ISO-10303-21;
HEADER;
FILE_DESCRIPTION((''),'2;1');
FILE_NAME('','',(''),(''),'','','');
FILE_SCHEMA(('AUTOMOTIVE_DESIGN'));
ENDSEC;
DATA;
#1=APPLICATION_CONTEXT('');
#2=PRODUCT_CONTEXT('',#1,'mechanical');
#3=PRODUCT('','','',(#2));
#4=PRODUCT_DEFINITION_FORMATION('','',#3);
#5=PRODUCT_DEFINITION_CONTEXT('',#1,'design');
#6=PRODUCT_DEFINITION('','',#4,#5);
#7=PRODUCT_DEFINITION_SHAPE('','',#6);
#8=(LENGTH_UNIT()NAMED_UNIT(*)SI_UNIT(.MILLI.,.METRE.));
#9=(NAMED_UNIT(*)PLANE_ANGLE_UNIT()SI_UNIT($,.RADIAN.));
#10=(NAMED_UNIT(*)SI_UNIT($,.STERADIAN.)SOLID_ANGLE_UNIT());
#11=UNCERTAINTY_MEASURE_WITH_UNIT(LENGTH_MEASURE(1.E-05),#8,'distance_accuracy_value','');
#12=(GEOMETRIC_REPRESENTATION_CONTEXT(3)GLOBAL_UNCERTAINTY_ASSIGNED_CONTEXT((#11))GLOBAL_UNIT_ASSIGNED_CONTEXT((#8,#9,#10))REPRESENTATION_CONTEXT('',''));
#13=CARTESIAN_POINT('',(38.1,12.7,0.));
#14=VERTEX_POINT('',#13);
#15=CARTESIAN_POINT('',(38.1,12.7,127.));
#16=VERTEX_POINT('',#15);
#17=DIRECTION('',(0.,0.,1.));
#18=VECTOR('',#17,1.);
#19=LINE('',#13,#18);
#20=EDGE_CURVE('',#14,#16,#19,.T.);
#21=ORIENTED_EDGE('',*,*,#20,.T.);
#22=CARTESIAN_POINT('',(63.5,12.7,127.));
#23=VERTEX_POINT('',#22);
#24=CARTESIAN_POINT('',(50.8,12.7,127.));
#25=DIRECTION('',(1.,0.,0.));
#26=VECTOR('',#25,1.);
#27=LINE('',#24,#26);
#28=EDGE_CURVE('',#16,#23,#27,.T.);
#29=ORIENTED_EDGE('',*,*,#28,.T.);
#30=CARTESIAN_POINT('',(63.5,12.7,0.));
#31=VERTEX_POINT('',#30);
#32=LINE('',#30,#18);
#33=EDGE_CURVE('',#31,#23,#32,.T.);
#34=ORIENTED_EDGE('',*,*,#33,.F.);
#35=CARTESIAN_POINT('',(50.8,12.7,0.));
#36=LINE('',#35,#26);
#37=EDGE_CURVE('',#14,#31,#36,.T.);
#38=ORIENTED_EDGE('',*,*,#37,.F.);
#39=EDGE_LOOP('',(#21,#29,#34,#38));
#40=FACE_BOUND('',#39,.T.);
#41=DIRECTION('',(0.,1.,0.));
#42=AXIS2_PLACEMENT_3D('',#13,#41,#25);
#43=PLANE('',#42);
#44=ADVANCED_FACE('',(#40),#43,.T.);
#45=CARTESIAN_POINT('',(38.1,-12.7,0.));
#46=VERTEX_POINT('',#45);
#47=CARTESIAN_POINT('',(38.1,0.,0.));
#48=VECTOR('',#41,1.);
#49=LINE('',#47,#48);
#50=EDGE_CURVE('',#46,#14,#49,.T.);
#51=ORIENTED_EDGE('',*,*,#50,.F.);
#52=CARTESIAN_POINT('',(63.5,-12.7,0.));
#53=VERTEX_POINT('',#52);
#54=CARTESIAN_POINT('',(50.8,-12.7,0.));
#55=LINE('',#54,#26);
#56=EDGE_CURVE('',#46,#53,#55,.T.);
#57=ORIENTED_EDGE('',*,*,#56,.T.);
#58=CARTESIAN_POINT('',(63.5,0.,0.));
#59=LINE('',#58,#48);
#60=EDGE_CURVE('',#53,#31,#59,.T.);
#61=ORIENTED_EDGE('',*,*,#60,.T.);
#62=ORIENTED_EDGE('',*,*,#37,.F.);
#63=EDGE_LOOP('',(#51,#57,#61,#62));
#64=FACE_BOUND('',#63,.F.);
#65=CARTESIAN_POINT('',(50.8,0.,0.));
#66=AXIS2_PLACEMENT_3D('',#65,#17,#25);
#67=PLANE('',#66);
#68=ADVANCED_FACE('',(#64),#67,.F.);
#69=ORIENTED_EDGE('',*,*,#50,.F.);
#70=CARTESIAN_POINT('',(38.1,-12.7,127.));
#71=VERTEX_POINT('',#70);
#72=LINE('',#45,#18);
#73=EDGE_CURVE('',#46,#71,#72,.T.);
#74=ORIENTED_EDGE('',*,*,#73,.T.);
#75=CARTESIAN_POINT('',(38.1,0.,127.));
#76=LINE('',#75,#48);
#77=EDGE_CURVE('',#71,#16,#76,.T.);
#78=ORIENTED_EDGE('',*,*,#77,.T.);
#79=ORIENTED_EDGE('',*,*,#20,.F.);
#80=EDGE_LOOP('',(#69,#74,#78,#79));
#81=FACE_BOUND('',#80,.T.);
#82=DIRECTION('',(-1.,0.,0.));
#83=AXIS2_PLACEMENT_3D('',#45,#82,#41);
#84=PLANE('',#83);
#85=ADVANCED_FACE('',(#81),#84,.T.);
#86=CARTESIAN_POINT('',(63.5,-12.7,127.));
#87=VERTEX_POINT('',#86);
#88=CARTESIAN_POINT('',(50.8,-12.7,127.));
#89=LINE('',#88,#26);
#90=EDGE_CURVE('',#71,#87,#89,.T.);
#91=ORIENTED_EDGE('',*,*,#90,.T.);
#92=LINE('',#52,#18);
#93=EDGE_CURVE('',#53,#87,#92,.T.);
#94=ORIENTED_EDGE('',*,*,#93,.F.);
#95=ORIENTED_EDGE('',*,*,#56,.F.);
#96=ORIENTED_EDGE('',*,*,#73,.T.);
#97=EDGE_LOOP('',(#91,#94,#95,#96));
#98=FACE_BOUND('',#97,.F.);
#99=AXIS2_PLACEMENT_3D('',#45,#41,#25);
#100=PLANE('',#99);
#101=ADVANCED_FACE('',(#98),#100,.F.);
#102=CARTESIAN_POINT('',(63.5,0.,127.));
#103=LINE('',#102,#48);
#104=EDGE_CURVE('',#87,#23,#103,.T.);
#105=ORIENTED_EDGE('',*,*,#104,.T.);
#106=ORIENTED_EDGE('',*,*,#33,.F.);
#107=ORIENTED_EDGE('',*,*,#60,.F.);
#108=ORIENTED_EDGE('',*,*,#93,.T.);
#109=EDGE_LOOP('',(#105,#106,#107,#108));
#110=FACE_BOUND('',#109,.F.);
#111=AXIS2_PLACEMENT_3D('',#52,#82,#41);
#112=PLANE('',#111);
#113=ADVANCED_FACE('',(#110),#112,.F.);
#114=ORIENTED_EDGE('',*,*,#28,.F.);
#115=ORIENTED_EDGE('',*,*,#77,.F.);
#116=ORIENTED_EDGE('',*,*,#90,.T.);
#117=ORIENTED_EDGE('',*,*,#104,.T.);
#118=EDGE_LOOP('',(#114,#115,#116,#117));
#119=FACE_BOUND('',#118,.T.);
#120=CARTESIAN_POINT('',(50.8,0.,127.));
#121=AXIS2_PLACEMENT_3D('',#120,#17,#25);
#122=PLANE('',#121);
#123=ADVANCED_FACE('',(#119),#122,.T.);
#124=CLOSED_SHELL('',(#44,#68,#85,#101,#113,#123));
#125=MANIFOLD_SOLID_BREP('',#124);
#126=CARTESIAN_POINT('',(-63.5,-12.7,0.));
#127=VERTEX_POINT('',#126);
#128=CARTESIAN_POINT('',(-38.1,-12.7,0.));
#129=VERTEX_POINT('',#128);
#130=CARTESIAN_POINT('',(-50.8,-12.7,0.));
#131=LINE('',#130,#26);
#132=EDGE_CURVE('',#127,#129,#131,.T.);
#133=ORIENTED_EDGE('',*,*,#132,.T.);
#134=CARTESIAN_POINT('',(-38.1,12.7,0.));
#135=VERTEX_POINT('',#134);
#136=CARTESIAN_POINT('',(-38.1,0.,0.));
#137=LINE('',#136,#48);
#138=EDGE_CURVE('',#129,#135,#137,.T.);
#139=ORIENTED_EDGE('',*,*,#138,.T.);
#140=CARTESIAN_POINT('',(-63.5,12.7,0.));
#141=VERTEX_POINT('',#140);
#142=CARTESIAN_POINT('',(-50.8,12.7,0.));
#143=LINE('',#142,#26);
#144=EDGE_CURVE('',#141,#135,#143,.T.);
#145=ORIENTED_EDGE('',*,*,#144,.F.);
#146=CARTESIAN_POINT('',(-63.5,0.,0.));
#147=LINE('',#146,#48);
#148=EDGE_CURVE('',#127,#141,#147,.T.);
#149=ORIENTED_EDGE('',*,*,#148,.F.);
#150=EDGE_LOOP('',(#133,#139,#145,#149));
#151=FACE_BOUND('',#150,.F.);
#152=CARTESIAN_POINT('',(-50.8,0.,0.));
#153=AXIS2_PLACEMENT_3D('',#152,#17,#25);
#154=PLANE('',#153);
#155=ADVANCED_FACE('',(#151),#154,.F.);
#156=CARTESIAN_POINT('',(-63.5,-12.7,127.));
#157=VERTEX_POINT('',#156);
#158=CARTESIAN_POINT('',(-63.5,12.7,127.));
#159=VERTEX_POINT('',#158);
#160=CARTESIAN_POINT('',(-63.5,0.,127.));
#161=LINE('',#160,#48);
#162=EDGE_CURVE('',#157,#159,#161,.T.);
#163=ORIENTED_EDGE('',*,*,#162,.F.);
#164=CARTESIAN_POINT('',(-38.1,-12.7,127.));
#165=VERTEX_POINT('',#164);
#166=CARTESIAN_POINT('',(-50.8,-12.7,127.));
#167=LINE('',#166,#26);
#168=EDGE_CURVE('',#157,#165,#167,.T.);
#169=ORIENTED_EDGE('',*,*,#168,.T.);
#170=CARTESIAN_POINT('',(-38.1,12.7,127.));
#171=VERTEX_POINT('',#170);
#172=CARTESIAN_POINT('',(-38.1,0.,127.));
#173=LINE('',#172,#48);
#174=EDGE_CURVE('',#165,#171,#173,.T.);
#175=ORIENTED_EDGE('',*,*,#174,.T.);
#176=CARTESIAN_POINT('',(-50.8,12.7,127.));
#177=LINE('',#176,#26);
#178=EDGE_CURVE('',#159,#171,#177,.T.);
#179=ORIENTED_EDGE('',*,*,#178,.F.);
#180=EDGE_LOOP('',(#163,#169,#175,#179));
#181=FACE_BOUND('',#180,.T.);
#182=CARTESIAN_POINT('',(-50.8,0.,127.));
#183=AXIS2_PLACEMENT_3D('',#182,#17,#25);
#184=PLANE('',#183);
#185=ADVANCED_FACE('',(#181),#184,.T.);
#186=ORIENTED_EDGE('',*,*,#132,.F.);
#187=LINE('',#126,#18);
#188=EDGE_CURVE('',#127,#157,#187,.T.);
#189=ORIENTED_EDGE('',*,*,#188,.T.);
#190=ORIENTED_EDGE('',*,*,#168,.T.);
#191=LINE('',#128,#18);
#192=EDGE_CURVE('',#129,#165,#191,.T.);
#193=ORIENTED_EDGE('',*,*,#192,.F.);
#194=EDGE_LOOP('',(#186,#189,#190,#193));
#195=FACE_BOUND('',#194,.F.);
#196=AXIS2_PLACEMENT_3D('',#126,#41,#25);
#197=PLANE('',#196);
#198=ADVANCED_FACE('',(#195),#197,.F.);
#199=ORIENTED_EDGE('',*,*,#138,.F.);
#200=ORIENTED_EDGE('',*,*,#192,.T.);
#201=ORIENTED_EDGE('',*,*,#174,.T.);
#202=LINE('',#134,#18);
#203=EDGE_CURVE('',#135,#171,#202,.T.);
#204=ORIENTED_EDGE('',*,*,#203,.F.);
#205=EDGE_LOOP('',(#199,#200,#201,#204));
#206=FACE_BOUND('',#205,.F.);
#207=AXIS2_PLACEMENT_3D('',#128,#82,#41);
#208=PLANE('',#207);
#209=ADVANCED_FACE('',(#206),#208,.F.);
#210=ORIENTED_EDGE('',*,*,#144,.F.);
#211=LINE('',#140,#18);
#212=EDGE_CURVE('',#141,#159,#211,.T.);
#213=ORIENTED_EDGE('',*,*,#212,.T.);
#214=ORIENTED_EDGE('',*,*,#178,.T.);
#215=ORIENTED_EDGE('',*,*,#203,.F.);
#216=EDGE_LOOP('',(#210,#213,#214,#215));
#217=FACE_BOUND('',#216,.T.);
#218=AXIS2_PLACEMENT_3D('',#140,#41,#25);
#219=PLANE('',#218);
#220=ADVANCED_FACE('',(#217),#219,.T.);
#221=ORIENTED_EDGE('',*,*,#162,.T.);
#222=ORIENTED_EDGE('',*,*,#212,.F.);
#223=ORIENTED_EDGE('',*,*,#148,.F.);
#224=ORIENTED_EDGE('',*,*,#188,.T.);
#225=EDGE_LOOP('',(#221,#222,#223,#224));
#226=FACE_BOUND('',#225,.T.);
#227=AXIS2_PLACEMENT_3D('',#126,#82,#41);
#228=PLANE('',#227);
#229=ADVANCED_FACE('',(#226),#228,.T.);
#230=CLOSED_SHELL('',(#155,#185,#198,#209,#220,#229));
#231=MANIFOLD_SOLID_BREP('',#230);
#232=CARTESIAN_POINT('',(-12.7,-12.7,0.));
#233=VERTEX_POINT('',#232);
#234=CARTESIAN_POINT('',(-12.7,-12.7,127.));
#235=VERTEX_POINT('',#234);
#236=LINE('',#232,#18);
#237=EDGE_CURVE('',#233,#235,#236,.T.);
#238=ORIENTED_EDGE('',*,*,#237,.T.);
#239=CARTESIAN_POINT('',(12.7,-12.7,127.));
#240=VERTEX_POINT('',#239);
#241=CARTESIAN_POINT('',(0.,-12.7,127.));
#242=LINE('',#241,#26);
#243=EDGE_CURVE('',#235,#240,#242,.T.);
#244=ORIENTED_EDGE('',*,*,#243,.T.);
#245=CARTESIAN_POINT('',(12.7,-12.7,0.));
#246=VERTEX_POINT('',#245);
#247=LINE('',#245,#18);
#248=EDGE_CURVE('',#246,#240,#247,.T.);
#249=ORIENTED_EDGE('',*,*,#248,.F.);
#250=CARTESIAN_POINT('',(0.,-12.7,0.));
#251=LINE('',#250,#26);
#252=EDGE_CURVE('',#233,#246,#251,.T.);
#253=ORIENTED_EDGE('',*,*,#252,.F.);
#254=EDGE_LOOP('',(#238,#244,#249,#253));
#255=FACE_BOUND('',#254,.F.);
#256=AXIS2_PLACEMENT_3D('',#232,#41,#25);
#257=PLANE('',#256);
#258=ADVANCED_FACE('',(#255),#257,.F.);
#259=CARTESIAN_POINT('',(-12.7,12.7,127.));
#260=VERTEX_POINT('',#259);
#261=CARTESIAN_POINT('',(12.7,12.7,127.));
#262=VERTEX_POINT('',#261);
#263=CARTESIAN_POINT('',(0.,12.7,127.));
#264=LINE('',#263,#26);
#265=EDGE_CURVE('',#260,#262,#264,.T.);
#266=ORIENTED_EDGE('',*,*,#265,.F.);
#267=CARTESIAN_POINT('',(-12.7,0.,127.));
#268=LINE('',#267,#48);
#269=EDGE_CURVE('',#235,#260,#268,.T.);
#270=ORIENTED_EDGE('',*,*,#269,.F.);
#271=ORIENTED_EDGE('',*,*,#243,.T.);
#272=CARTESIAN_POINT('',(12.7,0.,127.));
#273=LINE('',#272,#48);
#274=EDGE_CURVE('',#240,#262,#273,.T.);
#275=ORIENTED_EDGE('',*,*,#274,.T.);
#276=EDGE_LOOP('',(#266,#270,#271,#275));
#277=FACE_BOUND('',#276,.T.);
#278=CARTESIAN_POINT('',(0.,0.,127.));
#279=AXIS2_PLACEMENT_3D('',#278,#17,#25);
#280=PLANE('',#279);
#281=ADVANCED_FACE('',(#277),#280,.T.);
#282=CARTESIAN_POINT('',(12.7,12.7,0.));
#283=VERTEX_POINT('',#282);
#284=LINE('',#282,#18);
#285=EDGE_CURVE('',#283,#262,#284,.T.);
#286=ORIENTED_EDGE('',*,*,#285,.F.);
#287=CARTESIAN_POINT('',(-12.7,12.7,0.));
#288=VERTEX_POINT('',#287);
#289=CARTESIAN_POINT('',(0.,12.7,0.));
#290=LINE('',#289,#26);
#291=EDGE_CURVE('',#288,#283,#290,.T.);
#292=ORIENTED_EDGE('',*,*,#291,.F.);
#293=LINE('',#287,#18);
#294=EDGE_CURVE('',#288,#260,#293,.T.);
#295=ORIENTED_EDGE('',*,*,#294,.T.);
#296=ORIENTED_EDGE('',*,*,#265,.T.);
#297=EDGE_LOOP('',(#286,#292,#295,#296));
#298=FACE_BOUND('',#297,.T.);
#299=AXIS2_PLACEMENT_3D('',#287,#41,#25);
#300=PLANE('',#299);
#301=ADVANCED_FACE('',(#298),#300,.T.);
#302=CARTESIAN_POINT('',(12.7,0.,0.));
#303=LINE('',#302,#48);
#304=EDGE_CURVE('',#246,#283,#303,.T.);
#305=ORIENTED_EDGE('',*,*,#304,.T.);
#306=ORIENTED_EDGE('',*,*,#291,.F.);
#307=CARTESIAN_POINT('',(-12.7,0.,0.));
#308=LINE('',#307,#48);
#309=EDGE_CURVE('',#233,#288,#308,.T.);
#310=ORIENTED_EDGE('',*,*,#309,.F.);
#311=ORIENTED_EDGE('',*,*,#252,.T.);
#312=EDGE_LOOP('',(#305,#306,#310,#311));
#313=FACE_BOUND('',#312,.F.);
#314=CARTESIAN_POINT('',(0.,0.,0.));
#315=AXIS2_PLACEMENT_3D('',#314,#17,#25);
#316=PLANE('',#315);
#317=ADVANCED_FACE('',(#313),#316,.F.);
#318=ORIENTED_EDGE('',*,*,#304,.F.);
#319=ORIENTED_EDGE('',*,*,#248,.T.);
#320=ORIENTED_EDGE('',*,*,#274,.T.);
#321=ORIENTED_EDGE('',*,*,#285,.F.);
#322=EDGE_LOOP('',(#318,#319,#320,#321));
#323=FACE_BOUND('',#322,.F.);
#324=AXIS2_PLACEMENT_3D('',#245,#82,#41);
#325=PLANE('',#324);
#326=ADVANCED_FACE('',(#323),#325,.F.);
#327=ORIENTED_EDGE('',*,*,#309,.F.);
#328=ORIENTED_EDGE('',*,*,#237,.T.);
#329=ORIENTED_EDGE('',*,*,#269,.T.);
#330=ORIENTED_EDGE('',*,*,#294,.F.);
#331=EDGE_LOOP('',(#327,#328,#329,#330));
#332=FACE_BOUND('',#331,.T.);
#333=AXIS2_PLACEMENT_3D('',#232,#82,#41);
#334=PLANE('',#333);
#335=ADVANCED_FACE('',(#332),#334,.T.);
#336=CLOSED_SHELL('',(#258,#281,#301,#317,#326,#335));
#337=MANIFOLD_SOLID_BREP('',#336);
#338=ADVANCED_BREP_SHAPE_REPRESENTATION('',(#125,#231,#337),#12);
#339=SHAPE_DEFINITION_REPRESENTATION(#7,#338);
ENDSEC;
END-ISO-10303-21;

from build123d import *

# Parameters (mm, degrees)
F0_W     = 25.4
F0_H     = 25.4
F1_DEPTH = 127


with BuildPart() as f1:
    # F0 (on Top) → F1 (new body)
    with BuildSketch(Plane.XY):
        Rectangle(F0_W, F0_H)
        with Locations((-50.8, 0)):
            Rectangle(F0_W, F0_H)
        with Locations((50.8, 0)):
            Rectangle(F0_W, F0_H)
    extrude(amount=F1_DEPTH)


solid = f1.part
